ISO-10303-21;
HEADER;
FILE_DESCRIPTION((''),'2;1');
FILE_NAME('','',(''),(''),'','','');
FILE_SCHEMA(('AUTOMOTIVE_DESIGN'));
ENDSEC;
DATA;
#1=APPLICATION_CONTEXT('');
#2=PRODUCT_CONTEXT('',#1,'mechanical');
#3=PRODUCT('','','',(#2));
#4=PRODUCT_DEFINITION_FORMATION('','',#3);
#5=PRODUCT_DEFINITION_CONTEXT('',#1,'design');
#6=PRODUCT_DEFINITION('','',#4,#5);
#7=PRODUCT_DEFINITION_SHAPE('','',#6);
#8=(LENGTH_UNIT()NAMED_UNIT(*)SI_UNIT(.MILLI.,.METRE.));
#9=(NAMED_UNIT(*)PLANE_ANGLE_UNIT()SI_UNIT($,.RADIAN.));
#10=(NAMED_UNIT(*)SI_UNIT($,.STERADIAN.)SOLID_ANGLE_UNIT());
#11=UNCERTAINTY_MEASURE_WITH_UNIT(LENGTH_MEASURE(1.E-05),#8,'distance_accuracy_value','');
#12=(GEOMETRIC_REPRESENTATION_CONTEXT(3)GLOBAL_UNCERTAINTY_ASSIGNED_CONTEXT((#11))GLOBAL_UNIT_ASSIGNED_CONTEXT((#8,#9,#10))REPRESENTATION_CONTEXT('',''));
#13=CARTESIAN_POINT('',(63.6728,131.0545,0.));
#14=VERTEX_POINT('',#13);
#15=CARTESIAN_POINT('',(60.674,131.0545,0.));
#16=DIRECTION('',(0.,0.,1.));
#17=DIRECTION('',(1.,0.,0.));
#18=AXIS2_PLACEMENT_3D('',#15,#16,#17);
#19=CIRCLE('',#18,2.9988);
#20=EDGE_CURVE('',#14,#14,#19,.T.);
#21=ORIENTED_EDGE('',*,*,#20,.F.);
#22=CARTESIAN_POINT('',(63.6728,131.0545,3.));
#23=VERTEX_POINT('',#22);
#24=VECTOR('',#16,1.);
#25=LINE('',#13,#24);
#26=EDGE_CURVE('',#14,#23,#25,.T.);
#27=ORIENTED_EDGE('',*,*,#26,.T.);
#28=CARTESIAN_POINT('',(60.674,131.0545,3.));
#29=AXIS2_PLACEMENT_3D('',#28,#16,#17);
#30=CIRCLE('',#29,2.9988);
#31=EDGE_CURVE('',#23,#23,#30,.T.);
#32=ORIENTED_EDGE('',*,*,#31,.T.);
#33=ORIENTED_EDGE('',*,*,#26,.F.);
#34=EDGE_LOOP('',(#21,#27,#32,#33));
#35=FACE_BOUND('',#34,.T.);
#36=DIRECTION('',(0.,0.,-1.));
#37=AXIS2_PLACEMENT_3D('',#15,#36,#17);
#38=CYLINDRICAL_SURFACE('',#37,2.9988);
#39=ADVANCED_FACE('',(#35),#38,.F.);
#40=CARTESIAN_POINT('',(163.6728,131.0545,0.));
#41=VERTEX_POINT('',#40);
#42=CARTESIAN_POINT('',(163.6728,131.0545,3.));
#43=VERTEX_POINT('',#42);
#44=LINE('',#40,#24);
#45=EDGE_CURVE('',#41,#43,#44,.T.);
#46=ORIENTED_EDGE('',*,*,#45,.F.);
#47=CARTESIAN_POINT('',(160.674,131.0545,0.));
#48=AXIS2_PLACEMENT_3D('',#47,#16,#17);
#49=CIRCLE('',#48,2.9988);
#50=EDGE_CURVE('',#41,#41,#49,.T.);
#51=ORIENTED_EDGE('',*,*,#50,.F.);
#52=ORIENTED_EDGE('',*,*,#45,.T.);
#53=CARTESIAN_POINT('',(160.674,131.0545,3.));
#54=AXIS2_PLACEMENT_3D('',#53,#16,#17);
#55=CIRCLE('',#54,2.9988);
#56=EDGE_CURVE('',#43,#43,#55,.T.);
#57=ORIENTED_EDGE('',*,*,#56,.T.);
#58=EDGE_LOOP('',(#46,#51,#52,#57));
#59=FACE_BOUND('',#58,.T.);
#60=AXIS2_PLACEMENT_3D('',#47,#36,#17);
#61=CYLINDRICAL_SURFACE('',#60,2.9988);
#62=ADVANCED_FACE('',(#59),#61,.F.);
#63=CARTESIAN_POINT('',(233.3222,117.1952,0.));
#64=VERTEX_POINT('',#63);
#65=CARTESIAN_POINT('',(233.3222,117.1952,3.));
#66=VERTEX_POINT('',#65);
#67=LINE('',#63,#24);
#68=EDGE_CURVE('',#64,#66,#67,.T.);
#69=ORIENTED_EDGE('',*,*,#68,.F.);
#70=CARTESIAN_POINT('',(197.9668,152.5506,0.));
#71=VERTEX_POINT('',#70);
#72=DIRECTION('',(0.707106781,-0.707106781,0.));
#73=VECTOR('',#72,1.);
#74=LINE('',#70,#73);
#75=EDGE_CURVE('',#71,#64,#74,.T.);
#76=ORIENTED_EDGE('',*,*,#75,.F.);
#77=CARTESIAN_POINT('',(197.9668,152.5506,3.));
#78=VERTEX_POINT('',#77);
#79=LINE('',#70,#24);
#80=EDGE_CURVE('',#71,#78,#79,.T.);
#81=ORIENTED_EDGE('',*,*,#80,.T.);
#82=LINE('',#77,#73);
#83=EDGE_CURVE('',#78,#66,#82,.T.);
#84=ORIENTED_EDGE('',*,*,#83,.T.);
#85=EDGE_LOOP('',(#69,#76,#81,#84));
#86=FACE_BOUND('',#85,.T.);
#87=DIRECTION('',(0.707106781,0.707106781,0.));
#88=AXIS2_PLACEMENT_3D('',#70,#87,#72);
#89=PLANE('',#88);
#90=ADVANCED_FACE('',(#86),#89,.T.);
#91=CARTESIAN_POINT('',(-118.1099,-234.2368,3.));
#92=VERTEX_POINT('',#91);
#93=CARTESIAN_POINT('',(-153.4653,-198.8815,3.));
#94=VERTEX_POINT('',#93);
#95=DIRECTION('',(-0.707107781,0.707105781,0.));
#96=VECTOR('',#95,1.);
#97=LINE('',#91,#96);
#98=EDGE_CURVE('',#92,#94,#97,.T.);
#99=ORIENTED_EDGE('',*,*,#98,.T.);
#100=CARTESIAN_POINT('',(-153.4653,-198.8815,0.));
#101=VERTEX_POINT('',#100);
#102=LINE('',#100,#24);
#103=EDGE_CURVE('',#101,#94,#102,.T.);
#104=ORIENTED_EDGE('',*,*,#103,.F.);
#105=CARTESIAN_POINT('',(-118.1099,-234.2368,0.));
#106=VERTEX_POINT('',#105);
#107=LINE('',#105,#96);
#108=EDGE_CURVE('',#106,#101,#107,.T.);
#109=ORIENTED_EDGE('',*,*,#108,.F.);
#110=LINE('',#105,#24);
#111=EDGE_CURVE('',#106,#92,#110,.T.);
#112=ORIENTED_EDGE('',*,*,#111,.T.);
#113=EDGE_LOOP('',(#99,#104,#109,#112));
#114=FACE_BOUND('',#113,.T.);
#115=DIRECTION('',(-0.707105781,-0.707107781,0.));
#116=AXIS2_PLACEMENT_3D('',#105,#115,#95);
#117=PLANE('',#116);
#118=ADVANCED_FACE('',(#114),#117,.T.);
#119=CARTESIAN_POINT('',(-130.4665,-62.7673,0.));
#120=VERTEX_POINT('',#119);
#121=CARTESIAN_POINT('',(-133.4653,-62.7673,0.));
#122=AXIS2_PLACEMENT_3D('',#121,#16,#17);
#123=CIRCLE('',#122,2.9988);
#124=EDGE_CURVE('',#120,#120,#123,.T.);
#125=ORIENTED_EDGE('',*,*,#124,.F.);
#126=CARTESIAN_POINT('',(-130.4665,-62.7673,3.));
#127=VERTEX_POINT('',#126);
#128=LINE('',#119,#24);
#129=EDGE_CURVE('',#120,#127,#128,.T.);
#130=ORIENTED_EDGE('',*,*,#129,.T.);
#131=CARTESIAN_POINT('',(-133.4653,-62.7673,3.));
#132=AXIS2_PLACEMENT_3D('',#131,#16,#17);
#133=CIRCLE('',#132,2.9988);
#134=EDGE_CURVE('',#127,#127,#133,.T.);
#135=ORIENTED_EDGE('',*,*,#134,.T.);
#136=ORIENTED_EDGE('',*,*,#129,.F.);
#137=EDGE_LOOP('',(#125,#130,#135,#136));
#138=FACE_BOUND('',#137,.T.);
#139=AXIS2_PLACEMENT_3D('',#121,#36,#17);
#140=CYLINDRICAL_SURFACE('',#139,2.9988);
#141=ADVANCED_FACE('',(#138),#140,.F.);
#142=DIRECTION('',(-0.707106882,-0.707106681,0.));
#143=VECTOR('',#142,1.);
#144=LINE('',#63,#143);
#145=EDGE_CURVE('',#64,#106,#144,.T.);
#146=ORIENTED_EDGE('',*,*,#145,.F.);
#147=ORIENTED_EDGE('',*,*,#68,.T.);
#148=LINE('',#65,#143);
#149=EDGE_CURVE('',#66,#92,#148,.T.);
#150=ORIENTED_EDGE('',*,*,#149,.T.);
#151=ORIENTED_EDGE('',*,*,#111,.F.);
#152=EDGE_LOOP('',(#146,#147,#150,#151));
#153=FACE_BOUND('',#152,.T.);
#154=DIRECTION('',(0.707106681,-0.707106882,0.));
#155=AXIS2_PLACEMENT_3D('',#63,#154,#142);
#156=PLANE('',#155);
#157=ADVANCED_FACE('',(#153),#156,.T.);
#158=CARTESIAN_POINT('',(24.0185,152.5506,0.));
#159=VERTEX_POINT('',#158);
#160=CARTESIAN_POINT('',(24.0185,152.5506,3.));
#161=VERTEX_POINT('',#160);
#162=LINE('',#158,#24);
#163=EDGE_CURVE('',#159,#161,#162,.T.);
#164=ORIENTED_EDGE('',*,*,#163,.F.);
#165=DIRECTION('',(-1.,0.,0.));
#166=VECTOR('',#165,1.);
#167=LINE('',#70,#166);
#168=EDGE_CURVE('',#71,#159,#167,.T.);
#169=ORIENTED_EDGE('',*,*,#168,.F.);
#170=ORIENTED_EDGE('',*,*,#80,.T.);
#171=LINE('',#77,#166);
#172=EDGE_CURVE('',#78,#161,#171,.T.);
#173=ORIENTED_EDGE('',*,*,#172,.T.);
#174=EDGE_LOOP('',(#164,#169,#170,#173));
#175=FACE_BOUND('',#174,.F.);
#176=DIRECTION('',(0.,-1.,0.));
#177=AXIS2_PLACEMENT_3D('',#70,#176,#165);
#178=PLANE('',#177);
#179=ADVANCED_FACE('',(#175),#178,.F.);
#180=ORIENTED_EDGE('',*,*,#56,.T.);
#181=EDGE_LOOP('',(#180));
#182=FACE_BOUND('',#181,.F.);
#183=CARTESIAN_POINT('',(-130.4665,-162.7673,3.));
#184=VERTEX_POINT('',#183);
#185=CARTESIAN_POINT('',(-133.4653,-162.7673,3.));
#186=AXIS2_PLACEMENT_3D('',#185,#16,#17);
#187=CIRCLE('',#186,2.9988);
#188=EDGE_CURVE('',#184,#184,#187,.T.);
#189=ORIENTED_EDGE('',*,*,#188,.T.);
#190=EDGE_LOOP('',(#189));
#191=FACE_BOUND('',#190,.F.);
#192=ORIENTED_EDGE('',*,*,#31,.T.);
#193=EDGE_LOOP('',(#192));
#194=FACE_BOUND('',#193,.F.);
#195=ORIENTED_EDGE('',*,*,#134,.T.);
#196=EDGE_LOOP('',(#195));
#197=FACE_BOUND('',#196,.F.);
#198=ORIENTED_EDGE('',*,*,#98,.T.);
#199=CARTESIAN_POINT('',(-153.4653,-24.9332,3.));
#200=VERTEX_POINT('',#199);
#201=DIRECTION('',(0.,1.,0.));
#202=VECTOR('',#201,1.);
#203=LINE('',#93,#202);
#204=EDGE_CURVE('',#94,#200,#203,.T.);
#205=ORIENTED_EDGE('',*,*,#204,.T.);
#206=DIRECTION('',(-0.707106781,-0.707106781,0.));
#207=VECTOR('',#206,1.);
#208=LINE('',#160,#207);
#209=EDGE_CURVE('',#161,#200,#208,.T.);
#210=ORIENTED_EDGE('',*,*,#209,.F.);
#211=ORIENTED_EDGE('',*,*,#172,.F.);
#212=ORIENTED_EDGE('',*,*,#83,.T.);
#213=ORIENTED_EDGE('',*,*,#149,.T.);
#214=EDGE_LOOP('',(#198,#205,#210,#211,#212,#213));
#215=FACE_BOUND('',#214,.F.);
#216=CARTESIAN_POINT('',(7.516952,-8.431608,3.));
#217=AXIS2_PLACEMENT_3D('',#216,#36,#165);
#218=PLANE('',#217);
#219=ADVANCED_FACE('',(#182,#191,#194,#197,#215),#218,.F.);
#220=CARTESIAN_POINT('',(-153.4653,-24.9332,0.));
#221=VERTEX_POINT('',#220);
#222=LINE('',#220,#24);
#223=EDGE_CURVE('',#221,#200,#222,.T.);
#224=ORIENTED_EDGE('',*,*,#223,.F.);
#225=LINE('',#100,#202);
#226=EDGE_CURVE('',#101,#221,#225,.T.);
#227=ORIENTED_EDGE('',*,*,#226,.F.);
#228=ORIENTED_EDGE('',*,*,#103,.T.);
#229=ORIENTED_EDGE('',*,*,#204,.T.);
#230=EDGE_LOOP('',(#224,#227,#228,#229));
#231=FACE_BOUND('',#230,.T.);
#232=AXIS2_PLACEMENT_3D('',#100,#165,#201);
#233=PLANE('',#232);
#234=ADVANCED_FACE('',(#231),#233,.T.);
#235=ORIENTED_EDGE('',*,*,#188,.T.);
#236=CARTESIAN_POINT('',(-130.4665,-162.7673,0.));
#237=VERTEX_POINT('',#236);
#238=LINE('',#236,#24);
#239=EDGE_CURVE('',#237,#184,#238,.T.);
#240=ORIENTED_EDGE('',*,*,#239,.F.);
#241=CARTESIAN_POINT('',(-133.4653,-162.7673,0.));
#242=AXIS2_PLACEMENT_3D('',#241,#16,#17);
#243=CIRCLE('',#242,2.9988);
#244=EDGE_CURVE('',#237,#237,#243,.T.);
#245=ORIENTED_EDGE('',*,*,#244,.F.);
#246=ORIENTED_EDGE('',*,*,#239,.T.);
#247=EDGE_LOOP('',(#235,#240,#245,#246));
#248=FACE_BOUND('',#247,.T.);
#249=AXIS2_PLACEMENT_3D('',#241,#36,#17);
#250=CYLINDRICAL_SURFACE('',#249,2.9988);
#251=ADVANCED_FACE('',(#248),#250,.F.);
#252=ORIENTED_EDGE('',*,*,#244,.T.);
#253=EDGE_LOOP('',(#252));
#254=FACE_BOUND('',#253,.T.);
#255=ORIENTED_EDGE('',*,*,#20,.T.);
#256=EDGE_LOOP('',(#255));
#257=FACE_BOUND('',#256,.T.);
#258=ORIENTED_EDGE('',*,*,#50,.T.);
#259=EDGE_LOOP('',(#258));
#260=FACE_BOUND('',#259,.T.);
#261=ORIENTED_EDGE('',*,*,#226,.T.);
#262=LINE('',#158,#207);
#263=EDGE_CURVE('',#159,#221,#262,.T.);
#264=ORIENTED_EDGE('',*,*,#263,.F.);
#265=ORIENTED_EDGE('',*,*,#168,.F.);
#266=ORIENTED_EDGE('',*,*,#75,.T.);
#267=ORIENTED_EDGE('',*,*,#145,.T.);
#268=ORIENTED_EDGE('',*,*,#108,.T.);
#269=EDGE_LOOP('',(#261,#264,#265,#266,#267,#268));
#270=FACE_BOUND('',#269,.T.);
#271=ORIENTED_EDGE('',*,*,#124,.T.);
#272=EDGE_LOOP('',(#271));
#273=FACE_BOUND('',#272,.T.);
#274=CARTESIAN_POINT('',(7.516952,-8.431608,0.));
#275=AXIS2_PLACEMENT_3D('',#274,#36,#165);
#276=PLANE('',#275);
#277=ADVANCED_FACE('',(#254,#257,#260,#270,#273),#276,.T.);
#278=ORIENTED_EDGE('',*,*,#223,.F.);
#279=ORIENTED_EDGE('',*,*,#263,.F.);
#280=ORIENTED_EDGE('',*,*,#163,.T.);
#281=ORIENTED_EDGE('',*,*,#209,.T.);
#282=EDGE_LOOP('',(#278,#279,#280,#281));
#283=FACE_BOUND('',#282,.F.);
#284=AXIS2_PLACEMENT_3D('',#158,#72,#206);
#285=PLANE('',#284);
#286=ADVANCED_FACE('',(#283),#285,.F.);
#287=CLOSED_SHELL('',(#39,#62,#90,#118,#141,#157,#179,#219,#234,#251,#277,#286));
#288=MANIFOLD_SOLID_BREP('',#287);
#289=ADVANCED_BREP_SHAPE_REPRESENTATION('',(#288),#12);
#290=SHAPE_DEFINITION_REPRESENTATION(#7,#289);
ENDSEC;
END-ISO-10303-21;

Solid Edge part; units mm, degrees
sketch "Sketch1" plane through (0, 0, 0) normal (0, 0, 1) x (1, 0, 0)
  circle A0 centre (-133.4653, -62.7673) radius 2.9988
  circle A1 centre (-133.4653, -162.7673) radius 2.9988
  circle A2 centre (60.674, 131.0545) radius 2.9988
  circle A3 centre (160.674, 131.0545) radius 2.9988
  line L0 (-118.1099, -234.2368) -> (-153.4653, -198.8815)
  line L1 (-153.4653, -198.8815) -> (-153.4653, -24.9332)
  line L2 (24.0185, 152.5506) -> (-153.4653, -24.9332)
  line L3 (197.9668, 152.5506) -> (24.0185, 152.5506)
  line L4 (197.9668, 152.5506) -> (233.3222, 117.1952)
  line L5 (233.3222, 117.1952) -> (-118.1099, -234.2368)
  dimension "D1" = 497
  dimension "D2" = 50
  dimension "D3" = 173
  dimension "D4" = 5.9975
  dimension "D5" = 100
  dimension "D6" = 20
  dimension "D7" = 100
  dimension "D8" = 274.33
  dimension "D9" = 41.57
  dimension "D10" = 11.17
extrude "Protrusion1" add sketch "Sketch1" along normal blind 3
properties material "Nylon, allgemein"
